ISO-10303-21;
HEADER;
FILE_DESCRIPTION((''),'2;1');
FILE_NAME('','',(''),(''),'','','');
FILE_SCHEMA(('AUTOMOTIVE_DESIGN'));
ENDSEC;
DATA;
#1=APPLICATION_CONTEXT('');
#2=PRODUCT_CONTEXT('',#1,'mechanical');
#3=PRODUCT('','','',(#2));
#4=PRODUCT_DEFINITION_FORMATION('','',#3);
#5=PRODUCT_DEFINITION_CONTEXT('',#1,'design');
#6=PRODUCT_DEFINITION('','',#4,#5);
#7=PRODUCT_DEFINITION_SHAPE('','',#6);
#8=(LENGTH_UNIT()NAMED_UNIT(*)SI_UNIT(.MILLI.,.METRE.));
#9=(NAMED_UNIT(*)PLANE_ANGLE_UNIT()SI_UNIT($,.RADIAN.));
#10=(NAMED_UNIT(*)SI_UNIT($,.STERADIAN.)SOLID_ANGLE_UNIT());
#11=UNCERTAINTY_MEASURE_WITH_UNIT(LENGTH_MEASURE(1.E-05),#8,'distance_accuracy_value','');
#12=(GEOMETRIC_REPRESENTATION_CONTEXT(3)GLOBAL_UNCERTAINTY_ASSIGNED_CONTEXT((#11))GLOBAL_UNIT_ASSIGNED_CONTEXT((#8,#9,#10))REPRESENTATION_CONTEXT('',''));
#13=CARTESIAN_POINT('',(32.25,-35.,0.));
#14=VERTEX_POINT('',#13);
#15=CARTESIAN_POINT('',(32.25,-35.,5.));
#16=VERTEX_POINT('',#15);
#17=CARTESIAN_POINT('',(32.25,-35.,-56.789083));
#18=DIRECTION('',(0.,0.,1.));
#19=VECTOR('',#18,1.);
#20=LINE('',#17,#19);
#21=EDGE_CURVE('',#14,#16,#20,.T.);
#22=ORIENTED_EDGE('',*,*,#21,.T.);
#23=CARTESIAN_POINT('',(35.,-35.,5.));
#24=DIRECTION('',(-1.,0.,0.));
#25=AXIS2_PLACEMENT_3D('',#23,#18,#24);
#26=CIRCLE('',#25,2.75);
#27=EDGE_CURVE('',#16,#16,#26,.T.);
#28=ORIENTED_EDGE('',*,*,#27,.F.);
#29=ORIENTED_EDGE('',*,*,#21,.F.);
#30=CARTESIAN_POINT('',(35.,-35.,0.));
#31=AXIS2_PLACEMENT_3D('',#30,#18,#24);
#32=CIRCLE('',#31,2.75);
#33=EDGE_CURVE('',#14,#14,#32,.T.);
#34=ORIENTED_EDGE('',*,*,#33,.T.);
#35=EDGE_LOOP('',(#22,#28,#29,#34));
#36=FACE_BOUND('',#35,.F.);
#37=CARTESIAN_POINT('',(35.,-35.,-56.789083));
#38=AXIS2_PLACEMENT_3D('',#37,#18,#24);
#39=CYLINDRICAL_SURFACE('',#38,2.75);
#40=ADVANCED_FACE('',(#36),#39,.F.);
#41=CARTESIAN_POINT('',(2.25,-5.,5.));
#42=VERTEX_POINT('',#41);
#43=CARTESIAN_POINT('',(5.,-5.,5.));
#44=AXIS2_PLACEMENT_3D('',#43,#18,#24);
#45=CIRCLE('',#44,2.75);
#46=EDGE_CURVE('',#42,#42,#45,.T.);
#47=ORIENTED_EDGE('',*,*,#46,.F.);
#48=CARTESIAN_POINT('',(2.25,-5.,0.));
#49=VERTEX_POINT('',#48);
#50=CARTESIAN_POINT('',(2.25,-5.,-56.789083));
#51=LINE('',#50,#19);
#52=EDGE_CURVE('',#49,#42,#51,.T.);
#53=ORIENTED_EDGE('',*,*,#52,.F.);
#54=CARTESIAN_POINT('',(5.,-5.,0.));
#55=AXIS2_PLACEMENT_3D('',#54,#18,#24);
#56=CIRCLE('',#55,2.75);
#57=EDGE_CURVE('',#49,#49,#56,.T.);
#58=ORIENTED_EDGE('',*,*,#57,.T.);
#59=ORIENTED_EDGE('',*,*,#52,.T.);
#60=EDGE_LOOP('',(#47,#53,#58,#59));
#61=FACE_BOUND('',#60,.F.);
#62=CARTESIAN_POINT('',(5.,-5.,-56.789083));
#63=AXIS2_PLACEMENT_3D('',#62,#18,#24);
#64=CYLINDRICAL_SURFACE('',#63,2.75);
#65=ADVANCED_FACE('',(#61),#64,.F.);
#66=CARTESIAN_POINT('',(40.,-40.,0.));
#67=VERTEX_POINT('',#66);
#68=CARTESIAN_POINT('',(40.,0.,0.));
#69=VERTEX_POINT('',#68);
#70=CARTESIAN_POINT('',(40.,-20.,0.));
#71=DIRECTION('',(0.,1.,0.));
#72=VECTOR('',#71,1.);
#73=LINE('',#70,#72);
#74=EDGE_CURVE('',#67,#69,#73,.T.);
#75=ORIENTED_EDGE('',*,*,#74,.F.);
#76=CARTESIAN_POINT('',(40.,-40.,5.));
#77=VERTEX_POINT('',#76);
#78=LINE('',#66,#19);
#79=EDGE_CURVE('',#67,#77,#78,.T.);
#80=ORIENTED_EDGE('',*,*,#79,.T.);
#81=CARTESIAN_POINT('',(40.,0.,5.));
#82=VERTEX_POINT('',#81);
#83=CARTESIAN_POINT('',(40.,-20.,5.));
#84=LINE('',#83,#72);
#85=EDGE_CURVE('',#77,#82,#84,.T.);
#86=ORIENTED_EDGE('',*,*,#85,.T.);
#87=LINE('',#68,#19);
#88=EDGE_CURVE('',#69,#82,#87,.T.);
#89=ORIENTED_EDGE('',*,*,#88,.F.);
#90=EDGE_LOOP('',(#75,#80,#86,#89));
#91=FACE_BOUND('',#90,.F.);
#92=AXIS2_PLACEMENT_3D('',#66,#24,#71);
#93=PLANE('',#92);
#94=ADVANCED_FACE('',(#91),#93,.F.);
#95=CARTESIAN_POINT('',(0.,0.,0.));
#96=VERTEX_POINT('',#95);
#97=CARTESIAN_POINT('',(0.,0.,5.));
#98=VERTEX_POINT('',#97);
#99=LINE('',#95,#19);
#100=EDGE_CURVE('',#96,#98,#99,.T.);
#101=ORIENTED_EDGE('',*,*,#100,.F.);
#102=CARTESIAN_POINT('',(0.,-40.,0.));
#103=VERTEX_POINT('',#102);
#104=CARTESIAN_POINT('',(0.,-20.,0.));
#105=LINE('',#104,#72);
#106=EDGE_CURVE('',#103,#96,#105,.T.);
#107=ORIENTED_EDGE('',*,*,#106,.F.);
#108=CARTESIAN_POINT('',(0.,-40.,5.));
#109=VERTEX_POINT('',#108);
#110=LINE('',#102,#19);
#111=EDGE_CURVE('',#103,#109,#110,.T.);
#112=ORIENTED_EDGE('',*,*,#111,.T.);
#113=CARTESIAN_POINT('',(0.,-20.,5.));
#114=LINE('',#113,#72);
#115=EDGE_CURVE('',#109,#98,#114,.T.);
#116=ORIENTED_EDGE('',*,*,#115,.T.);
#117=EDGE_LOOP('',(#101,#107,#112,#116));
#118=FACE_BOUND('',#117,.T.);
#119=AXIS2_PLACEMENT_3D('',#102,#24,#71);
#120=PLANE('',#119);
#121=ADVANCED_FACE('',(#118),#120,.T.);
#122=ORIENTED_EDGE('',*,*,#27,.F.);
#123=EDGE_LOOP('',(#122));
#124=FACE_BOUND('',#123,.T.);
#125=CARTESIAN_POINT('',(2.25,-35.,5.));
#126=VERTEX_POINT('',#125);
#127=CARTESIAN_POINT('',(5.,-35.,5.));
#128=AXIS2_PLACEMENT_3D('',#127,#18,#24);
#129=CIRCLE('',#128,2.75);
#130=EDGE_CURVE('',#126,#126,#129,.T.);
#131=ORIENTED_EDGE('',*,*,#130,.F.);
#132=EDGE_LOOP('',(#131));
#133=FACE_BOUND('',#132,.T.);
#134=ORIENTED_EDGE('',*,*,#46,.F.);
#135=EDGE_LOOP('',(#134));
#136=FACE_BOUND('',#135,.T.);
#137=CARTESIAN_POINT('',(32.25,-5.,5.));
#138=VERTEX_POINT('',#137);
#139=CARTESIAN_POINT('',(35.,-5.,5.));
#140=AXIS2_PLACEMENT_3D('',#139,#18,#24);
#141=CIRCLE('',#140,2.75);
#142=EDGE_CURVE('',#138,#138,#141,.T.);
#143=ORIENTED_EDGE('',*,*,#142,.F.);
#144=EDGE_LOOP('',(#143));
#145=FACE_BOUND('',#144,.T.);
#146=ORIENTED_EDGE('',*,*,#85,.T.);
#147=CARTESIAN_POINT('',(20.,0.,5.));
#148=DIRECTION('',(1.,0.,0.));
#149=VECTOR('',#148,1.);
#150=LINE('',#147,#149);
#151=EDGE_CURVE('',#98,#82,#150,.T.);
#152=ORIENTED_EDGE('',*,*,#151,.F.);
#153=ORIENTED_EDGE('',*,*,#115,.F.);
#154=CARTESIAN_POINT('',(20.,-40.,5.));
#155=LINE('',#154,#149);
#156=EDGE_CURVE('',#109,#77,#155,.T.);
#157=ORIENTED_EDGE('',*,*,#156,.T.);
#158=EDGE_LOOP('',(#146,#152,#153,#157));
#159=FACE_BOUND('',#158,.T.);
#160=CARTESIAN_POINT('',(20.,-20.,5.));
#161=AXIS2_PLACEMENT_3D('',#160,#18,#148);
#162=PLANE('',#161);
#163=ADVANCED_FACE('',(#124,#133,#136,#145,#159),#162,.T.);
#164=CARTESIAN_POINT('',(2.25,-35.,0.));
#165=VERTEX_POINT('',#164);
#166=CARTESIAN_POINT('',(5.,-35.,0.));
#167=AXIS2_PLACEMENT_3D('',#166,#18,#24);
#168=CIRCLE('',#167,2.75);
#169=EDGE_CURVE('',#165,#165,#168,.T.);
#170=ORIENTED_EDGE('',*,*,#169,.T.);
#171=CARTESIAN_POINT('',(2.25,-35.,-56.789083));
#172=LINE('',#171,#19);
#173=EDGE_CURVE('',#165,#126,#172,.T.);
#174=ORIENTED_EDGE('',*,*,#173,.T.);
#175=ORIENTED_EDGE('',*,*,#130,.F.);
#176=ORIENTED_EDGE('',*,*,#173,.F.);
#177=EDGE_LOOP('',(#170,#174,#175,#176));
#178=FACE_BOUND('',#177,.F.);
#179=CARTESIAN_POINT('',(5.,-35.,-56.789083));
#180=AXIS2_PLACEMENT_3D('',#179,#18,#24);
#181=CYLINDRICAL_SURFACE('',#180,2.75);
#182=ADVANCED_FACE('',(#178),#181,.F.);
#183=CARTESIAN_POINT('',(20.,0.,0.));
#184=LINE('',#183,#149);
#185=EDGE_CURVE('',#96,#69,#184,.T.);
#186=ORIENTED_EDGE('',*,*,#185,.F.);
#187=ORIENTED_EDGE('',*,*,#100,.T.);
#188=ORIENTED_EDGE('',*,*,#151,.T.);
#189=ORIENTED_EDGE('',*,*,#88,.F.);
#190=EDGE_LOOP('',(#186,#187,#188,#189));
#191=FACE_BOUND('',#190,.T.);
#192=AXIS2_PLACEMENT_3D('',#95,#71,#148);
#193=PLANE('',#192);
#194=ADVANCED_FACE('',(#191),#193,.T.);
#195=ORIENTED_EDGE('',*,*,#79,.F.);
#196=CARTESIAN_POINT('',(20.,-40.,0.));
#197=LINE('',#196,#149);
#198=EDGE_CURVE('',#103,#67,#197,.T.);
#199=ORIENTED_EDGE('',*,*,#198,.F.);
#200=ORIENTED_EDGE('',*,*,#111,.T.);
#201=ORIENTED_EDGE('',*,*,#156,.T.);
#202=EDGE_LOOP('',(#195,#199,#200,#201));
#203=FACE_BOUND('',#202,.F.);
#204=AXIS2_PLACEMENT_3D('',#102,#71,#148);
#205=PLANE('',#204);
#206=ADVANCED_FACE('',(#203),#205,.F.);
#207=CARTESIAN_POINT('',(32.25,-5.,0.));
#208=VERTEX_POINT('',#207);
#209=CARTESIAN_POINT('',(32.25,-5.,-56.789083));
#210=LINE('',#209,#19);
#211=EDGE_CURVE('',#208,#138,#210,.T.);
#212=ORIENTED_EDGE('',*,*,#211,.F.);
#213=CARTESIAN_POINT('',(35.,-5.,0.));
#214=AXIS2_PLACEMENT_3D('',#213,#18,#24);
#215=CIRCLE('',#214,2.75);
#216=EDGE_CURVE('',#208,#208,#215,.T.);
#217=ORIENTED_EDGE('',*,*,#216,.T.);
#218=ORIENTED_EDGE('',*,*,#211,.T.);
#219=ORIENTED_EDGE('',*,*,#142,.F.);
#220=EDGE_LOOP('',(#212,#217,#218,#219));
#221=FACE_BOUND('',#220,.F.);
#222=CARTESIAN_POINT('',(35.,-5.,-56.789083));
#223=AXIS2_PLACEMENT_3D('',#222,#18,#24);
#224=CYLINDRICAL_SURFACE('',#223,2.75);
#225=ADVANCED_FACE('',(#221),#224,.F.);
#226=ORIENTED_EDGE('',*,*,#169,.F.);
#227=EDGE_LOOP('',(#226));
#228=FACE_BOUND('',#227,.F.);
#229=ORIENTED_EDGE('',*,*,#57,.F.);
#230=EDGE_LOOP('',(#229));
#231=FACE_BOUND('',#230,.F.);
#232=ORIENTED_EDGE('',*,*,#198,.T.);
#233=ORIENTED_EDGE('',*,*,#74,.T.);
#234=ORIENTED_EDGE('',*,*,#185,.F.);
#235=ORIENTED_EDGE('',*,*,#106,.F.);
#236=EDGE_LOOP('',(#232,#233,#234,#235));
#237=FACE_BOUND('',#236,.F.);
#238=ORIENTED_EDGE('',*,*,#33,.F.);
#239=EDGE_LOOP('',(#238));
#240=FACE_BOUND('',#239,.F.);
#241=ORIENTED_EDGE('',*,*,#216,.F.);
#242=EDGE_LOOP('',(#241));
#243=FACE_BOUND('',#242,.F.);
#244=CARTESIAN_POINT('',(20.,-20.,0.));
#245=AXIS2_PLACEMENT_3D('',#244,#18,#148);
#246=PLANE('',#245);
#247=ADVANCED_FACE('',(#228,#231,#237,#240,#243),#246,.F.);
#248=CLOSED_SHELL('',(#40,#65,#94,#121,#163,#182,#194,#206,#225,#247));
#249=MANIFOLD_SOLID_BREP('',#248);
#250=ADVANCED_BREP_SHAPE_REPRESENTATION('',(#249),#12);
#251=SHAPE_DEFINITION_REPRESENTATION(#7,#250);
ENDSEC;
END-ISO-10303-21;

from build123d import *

# Parameters (mm, degrees)
F0_W     = 40
F0_H     = 40
F1_DEPTH = 5
F2_D     = 5.5


with BuildPart() as f1:
    # F0 (on Top) → F1 (new body)
    with BuildSketch(Plane.XY):
        with Locations((20, -20)):
            Rectangle(F0_W, F0_H)
    extrude(amount=F1_DEPTH)

    # F2 (through all)
    with Locations(Plane(origin=(0, 0, 0), x_dir=(1, 0, 0), z_dir=(0, 0, -1))):
        with Locations((5, 5), (5, 35), (35, 35), (35, 5)):
            Hole(F2_D / 2)


solid = f1.part
